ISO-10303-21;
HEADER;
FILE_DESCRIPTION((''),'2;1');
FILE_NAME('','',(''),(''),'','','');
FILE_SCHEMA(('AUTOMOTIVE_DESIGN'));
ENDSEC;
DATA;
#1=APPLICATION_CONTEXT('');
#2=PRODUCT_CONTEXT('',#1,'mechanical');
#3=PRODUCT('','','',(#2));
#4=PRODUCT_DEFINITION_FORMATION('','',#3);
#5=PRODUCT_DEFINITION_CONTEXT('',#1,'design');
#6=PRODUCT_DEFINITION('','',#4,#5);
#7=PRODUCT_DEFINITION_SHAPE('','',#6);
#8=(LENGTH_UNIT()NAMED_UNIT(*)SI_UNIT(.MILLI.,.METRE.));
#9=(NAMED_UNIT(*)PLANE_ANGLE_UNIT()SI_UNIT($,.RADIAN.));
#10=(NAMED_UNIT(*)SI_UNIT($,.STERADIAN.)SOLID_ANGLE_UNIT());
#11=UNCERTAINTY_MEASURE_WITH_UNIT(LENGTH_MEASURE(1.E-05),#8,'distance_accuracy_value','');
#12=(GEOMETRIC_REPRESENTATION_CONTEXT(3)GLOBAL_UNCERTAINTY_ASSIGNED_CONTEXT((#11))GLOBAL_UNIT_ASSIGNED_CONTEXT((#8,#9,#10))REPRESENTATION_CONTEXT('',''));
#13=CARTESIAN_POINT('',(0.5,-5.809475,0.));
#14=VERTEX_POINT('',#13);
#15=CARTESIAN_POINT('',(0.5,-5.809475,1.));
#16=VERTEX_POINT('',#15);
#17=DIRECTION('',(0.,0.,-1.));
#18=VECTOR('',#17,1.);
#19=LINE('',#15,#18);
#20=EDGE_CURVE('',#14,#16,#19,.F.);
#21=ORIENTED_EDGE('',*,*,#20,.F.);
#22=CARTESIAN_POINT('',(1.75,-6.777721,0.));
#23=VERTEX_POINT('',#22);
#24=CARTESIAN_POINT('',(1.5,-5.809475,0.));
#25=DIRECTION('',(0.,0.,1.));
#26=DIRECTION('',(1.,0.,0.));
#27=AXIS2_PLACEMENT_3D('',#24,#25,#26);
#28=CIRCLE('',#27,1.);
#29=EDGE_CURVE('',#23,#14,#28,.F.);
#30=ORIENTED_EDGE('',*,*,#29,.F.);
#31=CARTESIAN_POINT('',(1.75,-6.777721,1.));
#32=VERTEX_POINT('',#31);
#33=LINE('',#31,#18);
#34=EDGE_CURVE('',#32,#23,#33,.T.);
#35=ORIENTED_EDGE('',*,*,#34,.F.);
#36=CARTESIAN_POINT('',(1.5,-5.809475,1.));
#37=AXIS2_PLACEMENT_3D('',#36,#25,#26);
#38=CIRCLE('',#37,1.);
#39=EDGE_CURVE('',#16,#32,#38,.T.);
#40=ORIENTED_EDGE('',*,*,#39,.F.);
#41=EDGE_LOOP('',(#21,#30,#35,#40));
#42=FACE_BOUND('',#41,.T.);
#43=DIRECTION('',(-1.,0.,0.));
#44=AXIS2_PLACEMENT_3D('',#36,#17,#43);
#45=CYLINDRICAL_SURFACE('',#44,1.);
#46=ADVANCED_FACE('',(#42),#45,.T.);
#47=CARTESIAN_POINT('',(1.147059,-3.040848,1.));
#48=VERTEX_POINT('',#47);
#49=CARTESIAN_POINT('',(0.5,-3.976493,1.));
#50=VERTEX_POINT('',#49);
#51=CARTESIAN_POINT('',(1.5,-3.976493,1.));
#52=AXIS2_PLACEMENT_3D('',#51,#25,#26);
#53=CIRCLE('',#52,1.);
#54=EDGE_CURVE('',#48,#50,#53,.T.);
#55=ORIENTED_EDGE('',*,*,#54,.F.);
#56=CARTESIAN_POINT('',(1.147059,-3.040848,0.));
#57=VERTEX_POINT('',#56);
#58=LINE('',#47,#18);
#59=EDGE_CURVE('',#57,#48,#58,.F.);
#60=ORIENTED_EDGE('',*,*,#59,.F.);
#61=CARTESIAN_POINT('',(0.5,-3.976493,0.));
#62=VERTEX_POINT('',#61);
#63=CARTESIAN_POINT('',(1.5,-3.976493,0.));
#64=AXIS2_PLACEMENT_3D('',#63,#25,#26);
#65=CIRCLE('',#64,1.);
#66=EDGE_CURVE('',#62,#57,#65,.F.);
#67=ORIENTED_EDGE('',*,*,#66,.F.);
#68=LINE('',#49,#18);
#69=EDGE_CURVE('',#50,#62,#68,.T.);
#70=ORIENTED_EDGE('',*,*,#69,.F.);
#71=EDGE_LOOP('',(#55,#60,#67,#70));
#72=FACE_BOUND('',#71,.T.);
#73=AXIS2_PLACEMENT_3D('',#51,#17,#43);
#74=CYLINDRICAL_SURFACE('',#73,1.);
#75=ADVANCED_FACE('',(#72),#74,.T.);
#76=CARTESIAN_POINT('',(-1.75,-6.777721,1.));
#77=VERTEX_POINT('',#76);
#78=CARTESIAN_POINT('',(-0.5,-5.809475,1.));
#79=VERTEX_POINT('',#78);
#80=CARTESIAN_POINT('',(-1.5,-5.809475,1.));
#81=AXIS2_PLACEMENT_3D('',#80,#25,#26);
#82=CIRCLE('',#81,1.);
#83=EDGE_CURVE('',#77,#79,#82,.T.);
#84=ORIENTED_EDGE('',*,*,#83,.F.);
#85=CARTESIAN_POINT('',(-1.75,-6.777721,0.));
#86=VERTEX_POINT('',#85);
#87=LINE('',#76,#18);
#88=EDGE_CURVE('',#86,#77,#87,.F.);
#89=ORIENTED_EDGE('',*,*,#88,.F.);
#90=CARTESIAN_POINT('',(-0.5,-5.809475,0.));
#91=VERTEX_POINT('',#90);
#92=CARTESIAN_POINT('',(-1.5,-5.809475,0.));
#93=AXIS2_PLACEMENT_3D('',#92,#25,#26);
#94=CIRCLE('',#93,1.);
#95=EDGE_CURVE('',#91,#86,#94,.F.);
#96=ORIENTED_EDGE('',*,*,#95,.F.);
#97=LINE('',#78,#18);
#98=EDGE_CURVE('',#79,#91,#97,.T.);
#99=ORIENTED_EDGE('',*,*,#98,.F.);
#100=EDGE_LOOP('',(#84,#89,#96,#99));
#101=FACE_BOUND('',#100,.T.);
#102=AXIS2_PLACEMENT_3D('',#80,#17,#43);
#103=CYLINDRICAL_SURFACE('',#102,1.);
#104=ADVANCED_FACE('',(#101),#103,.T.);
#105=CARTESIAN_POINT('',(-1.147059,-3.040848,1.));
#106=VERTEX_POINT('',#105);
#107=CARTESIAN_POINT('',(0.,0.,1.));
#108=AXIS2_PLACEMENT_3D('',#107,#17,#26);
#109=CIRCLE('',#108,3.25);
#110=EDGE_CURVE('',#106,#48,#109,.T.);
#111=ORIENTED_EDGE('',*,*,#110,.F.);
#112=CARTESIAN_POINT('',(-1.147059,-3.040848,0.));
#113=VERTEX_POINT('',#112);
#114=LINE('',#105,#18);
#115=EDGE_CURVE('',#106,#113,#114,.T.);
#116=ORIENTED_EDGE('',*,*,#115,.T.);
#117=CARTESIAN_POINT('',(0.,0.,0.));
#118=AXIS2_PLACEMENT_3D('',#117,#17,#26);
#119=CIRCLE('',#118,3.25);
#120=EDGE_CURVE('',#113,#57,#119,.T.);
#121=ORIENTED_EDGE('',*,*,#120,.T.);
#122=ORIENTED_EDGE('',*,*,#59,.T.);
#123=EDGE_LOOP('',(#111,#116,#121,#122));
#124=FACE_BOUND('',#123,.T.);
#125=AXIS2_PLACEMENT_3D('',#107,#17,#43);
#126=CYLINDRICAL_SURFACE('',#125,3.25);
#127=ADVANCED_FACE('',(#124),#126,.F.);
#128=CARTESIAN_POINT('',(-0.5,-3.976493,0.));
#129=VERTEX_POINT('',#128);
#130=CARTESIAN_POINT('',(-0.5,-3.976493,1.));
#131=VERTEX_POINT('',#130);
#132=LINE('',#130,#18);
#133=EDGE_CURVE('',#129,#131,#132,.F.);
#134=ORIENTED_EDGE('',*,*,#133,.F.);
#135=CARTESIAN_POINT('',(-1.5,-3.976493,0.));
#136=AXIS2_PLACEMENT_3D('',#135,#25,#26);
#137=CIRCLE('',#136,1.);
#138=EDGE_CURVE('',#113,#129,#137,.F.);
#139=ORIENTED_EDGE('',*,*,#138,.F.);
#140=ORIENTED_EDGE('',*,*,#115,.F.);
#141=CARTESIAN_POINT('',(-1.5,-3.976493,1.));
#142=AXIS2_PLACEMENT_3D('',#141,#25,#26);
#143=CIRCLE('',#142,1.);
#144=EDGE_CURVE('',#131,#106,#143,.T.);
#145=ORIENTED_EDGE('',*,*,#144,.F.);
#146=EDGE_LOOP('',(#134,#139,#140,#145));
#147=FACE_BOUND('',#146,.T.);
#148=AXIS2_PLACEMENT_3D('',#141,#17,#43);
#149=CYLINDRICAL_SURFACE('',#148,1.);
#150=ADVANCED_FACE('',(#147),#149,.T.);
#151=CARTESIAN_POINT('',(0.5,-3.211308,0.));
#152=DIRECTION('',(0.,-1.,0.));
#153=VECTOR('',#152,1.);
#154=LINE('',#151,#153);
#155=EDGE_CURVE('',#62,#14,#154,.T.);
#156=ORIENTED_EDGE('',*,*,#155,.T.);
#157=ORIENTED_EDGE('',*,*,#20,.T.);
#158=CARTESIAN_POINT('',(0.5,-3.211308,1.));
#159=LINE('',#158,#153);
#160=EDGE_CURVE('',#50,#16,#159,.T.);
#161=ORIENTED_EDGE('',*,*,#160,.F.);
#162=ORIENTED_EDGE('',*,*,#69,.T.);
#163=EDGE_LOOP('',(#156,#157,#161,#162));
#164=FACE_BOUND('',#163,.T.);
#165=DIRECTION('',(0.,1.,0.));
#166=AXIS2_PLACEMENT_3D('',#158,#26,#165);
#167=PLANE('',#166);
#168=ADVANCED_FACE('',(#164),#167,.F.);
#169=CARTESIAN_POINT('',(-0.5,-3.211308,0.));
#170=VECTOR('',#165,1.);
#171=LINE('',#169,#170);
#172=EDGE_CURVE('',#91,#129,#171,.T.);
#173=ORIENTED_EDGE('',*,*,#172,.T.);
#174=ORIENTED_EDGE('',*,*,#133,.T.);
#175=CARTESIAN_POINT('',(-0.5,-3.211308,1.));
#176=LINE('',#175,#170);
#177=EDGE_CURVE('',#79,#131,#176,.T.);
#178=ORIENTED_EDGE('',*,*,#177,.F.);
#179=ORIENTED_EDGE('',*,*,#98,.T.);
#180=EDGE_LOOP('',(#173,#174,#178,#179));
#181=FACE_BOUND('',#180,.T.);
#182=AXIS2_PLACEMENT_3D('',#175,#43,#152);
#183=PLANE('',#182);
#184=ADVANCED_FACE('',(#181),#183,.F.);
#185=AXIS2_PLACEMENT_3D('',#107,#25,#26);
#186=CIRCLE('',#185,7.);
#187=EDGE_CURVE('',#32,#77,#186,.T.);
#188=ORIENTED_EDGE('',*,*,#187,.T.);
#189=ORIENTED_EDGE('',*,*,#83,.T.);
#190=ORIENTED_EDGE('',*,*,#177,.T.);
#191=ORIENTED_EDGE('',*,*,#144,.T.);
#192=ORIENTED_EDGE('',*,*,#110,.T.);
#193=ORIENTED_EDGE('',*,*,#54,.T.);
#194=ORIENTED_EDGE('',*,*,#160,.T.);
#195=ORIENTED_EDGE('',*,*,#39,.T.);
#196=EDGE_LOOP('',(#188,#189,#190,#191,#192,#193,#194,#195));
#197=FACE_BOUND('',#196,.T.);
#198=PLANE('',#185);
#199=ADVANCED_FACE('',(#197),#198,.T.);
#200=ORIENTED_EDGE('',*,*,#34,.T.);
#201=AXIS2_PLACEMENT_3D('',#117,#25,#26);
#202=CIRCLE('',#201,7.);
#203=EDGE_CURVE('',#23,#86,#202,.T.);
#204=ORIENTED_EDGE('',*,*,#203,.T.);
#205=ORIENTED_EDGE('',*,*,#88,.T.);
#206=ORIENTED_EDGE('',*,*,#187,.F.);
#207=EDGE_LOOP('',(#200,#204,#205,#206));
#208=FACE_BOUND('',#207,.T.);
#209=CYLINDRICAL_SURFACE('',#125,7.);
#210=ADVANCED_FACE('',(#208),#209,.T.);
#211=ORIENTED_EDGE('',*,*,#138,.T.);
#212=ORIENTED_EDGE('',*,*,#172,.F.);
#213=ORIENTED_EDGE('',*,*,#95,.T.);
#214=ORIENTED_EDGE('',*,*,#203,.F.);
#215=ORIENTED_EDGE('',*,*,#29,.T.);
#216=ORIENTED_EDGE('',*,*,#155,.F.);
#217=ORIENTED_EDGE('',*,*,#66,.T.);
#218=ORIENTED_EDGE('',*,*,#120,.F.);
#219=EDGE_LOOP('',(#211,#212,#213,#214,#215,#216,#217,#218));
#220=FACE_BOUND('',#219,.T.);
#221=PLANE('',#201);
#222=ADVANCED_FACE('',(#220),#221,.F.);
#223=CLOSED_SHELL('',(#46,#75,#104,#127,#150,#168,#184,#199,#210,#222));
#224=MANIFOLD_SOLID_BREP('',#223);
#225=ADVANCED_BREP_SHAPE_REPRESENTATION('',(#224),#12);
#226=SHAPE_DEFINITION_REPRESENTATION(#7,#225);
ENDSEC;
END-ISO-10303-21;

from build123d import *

# Parameters (mm, degrees)
P_IDAT_VYSUNUT_M1_DEPTH = 1
ZAOBLIT1_R              = 1


with BuildPart() as part:
    # Skica1 → Přidat vysunutím1 (new body)
    with BuildSketch(Plane.XY):
        with BuildLine():
            Line((-0.5, -3.211308145), (-0.5, -6.982120022))
            ThreePointArc((-0.5, -6.982120022), (0, 7), (0.5, -6.982120022))
            Line((0.5, -6.982120022), (0.5, -3.211308145))
            ThreePointArc((0.5, -3.211308145), (0, 3.25), (-0.5, -3.211308145))
        make_face()
    extrude(amount=P_IDAT_VYSUNUT_M1_DEPTH)

    # Zaoblit1
    zaoblit1_edges = [part.edges().sort_by_distance(p)[0] for p in [
        (-0.5, -3.211308145, 0.5),
        (-0.5, -6.982120022, 0.5),
        (0.5, -6.982120022, 0.5),
        (0.5, -3.211308145, 0.5),
    ]]
    fillet(zaoblit1_edges, radius=ZAOBLIT1_R)


solid = part.part
